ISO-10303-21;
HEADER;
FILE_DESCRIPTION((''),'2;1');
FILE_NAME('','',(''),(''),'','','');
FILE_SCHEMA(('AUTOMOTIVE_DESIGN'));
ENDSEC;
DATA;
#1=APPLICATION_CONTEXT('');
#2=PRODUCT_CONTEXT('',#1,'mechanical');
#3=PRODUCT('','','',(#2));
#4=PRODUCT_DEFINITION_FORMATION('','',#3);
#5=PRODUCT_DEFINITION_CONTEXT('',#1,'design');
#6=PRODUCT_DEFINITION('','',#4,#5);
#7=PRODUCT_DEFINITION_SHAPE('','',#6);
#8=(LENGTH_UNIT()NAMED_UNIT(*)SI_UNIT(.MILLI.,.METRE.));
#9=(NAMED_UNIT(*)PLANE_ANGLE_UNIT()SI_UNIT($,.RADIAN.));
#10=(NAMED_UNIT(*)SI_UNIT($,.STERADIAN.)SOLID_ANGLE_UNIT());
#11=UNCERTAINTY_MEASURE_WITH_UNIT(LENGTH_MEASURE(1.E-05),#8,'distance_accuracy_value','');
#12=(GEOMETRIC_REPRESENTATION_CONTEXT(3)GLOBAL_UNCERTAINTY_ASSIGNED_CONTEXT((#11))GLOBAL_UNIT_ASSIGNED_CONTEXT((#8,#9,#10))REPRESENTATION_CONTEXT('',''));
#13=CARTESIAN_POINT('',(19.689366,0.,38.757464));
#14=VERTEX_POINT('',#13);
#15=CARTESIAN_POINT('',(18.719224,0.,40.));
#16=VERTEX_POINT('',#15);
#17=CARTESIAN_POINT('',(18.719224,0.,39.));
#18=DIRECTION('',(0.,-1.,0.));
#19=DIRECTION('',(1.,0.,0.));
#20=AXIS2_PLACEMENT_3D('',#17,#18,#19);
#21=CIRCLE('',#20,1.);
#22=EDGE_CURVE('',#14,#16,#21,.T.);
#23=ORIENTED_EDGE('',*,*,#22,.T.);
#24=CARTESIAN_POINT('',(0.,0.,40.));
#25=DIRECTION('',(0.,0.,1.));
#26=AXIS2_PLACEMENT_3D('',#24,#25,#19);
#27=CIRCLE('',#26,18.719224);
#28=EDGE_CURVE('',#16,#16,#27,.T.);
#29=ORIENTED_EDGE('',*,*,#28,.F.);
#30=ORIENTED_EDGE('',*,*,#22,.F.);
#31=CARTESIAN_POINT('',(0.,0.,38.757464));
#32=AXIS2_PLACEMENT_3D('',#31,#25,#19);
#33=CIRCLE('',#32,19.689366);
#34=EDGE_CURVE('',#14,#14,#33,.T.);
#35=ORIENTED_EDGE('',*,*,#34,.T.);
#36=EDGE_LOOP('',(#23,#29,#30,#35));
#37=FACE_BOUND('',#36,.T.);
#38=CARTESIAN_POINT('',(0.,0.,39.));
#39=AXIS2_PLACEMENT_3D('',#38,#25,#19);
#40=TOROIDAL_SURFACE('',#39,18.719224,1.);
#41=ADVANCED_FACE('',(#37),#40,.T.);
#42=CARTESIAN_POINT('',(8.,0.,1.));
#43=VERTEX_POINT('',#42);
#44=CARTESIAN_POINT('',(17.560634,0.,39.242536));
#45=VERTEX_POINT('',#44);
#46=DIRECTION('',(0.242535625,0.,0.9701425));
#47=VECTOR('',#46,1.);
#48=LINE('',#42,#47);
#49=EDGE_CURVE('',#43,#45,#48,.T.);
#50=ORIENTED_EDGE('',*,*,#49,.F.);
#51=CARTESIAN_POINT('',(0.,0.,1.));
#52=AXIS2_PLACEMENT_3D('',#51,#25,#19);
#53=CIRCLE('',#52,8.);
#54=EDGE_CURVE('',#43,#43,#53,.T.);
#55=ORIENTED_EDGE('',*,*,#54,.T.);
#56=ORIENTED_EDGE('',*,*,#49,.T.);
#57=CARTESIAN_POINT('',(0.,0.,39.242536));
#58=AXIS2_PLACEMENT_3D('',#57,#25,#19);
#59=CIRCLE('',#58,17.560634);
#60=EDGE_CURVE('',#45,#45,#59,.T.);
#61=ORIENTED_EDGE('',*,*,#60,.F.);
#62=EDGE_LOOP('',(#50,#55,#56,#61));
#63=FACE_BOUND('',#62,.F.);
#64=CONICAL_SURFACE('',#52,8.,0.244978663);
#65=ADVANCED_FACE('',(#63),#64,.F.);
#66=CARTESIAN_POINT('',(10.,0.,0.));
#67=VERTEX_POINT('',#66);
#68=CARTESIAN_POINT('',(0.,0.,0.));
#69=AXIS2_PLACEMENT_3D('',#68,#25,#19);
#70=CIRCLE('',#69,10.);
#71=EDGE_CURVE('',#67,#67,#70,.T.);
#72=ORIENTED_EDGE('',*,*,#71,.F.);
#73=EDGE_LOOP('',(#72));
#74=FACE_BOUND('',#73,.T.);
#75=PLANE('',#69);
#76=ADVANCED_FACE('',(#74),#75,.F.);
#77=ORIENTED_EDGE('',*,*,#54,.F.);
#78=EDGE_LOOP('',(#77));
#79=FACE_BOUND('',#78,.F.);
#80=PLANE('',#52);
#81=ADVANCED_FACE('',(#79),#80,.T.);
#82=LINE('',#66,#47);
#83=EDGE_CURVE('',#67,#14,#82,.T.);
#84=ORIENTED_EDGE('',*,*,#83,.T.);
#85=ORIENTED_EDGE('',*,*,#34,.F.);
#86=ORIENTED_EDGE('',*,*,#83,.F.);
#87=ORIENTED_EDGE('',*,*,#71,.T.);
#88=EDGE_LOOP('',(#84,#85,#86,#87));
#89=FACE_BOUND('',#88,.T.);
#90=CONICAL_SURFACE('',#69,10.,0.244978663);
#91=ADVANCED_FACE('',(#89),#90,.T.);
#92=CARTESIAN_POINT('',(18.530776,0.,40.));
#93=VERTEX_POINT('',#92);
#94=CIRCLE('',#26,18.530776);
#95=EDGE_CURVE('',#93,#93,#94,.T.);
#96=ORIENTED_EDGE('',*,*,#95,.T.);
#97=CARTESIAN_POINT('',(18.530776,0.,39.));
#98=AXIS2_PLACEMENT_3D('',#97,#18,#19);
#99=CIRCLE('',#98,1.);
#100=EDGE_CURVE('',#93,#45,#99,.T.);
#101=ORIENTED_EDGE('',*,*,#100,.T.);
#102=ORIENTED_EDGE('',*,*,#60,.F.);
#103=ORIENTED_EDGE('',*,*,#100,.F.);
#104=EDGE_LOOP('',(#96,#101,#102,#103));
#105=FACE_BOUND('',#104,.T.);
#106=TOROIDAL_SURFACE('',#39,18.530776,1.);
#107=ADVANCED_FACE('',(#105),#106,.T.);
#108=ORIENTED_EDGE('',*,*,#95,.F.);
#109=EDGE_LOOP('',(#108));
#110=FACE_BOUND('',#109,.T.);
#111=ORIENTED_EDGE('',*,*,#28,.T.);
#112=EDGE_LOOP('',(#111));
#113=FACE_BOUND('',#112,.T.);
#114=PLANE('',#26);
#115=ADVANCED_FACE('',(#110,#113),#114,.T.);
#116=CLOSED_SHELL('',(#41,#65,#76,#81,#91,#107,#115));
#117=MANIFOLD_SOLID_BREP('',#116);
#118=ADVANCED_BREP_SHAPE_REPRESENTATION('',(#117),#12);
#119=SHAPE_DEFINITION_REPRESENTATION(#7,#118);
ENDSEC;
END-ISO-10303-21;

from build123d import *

# Parameters (mm, degrees)
FILLET_R = 1


with BuildPart() as cono001:
    # Cone001 → Cone001 (revolve)
    with BuildSketch(Plane(origin=(0, 0, 1), x_dir=(1, 0, 0), z_dir=(0, -1, 0))):
        Polygon((0, 0), (8, 0), (18, 40), (0, 40), align=None)
    revolve(axis=Axis((0, 0, 1), (0, 0, 1)))


with BuildPart() as fillet_body:
    # Cone → Cone (revolve)
    with BuildSketch(Plane.XZ):
        Polygon((0, 0), (10, 0), (20, 40), (0, 40), align=None)
    revolve(axis=Axis((0, 0, 0), (0, 0, 1)))

    # Cut: cut Cono001
    add(cono001.part, mode=Mode.SUBTRACT)

    # Fillet
    fillet_edges = [fillet_body.edges().sort_by_distance(p)[0] for p in [
        (-20, 0, 40),
        (-17.75, 0, 40),
    ]]
    fillet(fillet_edges, radius=FILLET_R)


solid = fillet_body.part
